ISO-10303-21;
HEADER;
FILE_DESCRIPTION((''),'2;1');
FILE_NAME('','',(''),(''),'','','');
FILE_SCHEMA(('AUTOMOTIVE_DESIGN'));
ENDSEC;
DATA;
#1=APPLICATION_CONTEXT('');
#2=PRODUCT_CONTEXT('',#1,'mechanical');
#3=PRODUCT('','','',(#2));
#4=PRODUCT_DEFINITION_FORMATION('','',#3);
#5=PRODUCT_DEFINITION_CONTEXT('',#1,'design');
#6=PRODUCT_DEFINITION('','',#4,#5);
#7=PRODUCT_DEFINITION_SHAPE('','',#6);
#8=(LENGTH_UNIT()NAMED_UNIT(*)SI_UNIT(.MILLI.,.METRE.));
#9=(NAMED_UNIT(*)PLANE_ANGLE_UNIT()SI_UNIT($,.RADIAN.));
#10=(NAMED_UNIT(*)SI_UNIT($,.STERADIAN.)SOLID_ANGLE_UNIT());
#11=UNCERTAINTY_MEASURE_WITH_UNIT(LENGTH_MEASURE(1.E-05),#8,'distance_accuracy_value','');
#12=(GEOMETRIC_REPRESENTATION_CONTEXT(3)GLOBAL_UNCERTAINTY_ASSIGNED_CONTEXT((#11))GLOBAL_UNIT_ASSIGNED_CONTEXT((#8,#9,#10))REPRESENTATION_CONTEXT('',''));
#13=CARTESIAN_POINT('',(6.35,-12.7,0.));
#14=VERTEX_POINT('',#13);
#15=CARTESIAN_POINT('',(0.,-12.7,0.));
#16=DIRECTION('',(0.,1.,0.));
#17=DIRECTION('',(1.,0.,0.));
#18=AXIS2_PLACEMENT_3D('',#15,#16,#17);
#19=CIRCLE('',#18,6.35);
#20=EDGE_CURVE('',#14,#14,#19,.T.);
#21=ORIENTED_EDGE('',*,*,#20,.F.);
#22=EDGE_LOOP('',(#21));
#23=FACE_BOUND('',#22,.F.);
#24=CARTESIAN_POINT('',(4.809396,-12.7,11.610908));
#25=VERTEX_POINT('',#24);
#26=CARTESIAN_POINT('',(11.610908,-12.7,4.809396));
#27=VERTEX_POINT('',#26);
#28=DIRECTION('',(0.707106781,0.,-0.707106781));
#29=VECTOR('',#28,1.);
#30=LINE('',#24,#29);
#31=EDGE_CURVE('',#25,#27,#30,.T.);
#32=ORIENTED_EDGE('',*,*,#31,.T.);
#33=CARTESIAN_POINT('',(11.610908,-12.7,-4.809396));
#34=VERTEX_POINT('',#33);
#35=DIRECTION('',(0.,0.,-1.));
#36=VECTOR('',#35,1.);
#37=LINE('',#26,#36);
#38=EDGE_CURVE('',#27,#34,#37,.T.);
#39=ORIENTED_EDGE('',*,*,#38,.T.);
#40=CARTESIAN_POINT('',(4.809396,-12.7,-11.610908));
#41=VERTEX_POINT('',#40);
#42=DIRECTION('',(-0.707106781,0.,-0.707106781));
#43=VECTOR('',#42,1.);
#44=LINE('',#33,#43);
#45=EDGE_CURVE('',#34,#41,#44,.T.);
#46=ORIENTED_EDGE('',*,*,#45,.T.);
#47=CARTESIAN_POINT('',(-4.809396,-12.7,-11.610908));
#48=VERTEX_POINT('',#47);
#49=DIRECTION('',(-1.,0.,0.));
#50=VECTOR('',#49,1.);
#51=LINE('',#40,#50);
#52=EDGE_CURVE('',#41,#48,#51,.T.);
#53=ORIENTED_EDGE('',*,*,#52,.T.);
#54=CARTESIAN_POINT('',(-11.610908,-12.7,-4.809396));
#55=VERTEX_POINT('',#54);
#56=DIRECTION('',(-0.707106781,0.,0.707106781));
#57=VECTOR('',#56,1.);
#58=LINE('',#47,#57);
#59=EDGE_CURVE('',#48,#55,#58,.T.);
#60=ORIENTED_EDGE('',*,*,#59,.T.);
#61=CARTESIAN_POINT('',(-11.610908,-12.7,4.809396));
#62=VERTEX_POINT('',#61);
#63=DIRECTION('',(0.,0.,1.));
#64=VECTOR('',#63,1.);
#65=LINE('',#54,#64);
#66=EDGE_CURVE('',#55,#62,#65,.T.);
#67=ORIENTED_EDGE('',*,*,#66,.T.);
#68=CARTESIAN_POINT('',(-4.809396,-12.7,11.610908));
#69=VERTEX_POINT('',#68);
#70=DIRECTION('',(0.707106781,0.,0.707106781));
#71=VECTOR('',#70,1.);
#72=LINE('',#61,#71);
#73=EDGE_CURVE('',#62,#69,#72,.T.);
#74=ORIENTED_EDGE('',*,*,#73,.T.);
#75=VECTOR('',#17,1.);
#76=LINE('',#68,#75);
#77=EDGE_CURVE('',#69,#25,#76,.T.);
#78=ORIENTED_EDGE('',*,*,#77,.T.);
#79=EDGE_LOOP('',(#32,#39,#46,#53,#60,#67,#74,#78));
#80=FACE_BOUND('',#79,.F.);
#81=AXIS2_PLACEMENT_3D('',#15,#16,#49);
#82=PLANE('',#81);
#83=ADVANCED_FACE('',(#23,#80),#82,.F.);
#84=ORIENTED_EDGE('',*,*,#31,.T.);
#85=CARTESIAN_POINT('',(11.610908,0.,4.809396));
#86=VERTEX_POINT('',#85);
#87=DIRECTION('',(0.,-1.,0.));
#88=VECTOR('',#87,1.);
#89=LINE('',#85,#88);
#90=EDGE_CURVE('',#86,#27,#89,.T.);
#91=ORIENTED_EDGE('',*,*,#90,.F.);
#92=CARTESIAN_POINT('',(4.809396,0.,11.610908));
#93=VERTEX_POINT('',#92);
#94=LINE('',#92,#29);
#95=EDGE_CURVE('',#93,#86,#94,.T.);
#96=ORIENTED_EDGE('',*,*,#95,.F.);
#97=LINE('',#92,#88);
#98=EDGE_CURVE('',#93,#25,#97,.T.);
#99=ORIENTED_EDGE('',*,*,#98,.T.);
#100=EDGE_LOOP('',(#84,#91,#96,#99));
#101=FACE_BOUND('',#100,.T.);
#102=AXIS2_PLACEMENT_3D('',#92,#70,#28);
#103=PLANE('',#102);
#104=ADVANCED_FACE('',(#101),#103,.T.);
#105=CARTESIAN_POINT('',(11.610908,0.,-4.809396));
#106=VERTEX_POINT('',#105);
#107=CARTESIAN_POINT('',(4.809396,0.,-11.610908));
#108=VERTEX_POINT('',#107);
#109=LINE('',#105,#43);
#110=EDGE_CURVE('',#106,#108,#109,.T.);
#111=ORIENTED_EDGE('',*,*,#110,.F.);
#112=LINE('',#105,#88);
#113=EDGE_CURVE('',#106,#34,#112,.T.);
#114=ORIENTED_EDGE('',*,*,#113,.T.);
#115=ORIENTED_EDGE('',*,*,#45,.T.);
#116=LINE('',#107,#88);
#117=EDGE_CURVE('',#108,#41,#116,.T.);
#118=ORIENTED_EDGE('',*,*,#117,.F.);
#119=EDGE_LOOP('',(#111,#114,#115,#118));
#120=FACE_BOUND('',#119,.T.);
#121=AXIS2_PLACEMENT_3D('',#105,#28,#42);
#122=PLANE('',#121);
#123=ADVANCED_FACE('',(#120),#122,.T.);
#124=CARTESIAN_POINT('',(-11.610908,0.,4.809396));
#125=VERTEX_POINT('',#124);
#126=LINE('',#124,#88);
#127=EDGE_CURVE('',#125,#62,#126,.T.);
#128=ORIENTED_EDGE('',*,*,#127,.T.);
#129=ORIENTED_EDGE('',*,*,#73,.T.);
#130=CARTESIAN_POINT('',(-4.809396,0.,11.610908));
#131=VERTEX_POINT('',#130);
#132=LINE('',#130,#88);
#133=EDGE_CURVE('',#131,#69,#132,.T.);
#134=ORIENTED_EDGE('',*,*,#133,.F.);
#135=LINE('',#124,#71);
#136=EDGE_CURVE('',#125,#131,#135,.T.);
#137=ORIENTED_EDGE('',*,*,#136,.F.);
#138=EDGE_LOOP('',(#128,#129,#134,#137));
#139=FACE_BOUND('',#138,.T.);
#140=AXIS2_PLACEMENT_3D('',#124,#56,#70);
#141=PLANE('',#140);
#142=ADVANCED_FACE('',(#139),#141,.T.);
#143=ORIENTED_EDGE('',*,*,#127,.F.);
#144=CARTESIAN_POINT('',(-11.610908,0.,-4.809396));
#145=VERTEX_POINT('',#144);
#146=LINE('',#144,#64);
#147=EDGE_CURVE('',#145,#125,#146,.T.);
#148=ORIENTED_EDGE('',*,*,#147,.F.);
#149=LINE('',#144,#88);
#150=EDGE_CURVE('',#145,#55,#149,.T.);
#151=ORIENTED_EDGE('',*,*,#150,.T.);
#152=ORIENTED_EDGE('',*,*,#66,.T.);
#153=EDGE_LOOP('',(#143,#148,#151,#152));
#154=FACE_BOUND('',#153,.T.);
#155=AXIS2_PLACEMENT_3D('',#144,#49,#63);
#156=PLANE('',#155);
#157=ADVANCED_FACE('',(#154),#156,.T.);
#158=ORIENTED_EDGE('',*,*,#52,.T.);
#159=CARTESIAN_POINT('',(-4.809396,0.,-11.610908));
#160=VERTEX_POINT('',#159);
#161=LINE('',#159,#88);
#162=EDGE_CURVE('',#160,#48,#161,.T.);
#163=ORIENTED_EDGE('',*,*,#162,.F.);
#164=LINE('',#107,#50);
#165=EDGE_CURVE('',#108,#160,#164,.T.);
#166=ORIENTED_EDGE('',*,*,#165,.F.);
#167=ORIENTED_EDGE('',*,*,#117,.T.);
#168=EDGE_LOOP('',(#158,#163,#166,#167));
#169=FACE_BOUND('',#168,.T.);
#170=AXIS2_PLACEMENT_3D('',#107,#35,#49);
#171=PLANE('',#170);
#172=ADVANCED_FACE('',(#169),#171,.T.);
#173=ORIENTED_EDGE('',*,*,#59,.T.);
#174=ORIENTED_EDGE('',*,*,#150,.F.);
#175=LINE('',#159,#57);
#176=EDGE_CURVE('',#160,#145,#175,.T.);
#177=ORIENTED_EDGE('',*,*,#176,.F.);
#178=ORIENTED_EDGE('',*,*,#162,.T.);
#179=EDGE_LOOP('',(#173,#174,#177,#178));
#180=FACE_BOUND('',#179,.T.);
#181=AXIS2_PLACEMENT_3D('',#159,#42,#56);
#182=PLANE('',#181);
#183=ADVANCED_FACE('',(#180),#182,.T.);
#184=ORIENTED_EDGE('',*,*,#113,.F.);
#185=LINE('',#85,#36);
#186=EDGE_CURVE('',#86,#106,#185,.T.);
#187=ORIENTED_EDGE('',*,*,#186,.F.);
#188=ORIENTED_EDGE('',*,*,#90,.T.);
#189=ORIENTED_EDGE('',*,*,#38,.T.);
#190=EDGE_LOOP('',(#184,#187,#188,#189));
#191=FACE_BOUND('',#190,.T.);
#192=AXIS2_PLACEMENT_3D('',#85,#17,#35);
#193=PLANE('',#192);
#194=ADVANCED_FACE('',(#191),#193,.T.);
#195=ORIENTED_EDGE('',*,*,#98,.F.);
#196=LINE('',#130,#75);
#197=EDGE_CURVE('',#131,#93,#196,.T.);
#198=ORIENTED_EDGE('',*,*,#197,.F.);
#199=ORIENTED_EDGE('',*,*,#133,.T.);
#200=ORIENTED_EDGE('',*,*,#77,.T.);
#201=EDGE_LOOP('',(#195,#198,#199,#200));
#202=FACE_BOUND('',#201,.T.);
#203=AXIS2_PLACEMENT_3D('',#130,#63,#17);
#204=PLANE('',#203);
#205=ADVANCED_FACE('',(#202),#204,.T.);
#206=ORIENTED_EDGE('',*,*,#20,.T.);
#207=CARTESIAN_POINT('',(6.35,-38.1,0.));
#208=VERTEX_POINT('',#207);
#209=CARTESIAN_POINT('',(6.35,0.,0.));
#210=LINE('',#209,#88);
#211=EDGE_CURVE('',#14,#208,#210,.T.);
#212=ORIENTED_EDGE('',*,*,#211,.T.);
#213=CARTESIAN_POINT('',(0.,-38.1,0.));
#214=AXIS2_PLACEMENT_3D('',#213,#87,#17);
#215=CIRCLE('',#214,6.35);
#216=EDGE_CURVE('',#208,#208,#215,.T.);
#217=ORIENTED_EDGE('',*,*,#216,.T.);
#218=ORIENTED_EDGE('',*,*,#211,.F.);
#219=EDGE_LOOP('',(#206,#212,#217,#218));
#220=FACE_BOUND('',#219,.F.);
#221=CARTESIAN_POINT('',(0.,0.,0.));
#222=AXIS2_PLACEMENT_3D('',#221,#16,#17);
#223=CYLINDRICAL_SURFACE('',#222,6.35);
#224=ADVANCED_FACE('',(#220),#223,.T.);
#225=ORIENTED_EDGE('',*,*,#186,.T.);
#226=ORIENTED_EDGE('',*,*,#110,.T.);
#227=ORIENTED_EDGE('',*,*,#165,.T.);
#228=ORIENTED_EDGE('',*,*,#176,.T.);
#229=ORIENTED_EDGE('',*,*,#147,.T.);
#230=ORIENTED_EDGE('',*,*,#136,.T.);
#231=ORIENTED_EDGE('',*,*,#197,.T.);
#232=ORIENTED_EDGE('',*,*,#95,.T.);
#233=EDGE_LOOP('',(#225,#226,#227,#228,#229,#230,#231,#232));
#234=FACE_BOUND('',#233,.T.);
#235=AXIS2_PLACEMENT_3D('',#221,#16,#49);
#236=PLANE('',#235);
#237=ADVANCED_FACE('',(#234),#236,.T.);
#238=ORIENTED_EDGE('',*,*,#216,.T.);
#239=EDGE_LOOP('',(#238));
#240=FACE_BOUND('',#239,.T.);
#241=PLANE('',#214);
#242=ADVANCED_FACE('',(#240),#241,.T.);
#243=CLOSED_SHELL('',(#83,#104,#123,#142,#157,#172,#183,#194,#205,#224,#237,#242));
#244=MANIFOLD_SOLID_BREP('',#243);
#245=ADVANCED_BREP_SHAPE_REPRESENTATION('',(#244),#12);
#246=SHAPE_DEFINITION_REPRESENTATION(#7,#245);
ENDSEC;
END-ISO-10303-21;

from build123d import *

# Parameters (mm, degrees)
F0_R     = 6.35
F1_DEPTH = 38.1
F2_R     = 6.35
F3_DEPTH = 12.7


with BuildPart() as f1:
    # F0 (on Front) → F1 (new body)
    with BuildSketch(Plane.XZ):
        Circle(F0_R)
    extrude(amount=F1_DEPTH)

    # F2 (on face) → F3 (join)
    with BuildSketch(Plane(origin=(0, 0, 0), x_dir=(-1, 0, 0), z_dir=(0, 1, 0))):
        Polygon((-4.809396, -11.610908), (4.809396, -11.610908), (11.610908, -4.809396), (11.610908, 4.809396), (4.809396, 11.610908), (-4.809396, 11.610908), (-11.610908, 4.809396), (-11.610908, -4.809396), align=None)
        Circle(F2_R, mode=Mode.SUBTRACT)
    extrude(amount=-F3_DEPTH)


solid = f1.part
